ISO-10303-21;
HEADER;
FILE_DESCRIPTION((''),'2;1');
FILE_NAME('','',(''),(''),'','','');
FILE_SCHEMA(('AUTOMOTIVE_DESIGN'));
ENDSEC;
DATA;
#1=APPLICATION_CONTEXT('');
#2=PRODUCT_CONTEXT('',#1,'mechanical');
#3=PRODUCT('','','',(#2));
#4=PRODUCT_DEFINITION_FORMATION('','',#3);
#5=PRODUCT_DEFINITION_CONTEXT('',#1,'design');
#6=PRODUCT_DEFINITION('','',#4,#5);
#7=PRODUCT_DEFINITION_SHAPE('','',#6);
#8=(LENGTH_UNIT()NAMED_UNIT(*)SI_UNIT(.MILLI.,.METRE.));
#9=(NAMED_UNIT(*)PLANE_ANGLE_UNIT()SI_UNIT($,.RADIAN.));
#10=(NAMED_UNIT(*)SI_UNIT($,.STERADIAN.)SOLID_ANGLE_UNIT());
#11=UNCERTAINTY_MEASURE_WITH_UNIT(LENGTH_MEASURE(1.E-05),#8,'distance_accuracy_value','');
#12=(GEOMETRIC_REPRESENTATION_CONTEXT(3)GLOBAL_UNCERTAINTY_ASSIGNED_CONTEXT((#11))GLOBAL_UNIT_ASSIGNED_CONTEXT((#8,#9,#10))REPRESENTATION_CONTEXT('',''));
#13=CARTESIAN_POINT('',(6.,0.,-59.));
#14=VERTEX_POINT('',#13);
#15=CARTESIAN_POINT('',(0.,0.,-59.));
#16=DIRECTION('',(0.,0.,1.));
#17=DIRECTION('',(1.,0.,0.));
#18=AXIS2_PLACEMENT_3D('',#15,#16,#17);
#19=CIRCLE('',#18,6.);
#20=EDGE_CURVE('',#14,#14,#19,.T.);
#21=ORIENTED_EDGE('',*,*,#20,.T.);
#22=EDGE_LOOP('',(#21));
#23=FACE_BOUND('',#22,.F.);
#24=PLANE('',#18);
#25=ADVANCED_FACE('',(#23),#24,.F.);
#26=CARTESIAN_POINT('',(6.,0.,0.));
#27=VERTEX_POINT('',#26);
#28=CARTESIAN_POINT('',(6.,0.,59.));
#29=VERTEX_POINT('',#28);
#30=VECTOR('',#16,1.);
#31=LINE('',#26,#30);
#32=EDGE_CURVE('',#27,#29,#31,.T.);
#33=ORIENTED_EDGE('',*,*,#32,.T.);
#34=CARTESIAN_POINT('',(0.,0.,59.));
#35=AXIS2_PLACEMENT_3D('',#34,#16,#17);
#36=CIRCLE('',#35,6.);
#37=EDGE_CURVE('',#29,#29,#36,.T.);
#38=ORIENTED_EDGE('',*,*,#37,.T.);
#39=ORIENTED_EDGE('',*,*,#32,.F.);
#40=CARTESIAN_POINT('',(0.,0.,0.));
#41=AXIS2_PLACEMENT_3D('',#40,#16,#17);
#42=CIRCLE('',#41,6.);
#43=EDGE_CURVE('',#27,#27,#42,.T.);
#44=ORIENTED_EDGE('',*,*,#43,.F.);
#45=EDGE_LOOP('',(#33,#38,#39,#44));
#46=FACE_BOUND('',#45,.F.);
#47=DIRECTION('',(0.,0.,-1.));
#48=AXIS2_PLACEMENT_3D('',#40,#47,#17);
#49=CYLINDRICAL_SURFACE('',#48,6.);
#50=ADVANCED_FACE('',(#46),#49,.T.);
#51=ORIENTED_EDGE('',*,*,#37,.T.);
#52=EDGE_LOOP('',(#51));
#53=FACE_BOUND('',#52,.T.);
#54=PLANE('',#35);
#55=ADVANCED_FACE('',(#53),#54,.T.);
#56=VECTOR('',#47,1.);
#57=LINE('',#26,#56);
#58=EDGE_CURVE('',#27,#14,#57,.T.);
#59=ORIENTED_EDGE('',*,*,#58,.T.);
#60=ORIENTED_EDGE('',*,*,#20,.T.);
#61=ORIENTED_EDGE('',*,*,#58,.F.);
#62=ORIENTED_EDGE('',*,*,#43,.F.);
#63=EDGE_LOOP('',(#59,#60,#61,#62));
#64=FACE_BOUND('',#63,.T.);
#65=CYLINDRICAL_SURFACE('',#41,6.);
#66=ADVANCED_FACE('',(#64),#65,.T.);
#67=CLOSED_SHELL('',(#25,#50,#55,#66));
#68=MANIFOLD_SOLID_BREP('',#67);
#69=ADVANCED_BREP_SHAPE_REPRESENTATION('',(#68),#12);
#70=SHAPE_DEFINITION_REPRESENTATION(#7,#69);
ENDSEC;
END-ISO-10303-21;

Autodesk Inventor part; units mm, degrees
ref_plane "YZ Plane" through (0, 0, 0) normal (1, 0, 0) x (0, 1, 0)
ref_plane "XZ Plane" through (0, 0, 0) normal (0, 1, 0) x (-1, 0, 0)
ref_plane "XY Plane" through (0, 0, 0) normal (0, 0, 1) x (1, 0, 0)
sketch "Sketch1" plane through (0, 0, 0) normal (0, 0, 1) x (1, 0, 0)
  circle A0 centre (0, 0) radius 6
  dimension "d0" = 12
extrude "Extrusion1" add sketch "Sketch1" along normal mid plane 118
equation "\"d0\" = Шпил_пласт_НОС_диам_шпильки"
equation "\"Шпил_пласт_НОС_диам_шпильки\" = 12"
properties part number "ДМФ 042 шпилька 1 v2.0"
